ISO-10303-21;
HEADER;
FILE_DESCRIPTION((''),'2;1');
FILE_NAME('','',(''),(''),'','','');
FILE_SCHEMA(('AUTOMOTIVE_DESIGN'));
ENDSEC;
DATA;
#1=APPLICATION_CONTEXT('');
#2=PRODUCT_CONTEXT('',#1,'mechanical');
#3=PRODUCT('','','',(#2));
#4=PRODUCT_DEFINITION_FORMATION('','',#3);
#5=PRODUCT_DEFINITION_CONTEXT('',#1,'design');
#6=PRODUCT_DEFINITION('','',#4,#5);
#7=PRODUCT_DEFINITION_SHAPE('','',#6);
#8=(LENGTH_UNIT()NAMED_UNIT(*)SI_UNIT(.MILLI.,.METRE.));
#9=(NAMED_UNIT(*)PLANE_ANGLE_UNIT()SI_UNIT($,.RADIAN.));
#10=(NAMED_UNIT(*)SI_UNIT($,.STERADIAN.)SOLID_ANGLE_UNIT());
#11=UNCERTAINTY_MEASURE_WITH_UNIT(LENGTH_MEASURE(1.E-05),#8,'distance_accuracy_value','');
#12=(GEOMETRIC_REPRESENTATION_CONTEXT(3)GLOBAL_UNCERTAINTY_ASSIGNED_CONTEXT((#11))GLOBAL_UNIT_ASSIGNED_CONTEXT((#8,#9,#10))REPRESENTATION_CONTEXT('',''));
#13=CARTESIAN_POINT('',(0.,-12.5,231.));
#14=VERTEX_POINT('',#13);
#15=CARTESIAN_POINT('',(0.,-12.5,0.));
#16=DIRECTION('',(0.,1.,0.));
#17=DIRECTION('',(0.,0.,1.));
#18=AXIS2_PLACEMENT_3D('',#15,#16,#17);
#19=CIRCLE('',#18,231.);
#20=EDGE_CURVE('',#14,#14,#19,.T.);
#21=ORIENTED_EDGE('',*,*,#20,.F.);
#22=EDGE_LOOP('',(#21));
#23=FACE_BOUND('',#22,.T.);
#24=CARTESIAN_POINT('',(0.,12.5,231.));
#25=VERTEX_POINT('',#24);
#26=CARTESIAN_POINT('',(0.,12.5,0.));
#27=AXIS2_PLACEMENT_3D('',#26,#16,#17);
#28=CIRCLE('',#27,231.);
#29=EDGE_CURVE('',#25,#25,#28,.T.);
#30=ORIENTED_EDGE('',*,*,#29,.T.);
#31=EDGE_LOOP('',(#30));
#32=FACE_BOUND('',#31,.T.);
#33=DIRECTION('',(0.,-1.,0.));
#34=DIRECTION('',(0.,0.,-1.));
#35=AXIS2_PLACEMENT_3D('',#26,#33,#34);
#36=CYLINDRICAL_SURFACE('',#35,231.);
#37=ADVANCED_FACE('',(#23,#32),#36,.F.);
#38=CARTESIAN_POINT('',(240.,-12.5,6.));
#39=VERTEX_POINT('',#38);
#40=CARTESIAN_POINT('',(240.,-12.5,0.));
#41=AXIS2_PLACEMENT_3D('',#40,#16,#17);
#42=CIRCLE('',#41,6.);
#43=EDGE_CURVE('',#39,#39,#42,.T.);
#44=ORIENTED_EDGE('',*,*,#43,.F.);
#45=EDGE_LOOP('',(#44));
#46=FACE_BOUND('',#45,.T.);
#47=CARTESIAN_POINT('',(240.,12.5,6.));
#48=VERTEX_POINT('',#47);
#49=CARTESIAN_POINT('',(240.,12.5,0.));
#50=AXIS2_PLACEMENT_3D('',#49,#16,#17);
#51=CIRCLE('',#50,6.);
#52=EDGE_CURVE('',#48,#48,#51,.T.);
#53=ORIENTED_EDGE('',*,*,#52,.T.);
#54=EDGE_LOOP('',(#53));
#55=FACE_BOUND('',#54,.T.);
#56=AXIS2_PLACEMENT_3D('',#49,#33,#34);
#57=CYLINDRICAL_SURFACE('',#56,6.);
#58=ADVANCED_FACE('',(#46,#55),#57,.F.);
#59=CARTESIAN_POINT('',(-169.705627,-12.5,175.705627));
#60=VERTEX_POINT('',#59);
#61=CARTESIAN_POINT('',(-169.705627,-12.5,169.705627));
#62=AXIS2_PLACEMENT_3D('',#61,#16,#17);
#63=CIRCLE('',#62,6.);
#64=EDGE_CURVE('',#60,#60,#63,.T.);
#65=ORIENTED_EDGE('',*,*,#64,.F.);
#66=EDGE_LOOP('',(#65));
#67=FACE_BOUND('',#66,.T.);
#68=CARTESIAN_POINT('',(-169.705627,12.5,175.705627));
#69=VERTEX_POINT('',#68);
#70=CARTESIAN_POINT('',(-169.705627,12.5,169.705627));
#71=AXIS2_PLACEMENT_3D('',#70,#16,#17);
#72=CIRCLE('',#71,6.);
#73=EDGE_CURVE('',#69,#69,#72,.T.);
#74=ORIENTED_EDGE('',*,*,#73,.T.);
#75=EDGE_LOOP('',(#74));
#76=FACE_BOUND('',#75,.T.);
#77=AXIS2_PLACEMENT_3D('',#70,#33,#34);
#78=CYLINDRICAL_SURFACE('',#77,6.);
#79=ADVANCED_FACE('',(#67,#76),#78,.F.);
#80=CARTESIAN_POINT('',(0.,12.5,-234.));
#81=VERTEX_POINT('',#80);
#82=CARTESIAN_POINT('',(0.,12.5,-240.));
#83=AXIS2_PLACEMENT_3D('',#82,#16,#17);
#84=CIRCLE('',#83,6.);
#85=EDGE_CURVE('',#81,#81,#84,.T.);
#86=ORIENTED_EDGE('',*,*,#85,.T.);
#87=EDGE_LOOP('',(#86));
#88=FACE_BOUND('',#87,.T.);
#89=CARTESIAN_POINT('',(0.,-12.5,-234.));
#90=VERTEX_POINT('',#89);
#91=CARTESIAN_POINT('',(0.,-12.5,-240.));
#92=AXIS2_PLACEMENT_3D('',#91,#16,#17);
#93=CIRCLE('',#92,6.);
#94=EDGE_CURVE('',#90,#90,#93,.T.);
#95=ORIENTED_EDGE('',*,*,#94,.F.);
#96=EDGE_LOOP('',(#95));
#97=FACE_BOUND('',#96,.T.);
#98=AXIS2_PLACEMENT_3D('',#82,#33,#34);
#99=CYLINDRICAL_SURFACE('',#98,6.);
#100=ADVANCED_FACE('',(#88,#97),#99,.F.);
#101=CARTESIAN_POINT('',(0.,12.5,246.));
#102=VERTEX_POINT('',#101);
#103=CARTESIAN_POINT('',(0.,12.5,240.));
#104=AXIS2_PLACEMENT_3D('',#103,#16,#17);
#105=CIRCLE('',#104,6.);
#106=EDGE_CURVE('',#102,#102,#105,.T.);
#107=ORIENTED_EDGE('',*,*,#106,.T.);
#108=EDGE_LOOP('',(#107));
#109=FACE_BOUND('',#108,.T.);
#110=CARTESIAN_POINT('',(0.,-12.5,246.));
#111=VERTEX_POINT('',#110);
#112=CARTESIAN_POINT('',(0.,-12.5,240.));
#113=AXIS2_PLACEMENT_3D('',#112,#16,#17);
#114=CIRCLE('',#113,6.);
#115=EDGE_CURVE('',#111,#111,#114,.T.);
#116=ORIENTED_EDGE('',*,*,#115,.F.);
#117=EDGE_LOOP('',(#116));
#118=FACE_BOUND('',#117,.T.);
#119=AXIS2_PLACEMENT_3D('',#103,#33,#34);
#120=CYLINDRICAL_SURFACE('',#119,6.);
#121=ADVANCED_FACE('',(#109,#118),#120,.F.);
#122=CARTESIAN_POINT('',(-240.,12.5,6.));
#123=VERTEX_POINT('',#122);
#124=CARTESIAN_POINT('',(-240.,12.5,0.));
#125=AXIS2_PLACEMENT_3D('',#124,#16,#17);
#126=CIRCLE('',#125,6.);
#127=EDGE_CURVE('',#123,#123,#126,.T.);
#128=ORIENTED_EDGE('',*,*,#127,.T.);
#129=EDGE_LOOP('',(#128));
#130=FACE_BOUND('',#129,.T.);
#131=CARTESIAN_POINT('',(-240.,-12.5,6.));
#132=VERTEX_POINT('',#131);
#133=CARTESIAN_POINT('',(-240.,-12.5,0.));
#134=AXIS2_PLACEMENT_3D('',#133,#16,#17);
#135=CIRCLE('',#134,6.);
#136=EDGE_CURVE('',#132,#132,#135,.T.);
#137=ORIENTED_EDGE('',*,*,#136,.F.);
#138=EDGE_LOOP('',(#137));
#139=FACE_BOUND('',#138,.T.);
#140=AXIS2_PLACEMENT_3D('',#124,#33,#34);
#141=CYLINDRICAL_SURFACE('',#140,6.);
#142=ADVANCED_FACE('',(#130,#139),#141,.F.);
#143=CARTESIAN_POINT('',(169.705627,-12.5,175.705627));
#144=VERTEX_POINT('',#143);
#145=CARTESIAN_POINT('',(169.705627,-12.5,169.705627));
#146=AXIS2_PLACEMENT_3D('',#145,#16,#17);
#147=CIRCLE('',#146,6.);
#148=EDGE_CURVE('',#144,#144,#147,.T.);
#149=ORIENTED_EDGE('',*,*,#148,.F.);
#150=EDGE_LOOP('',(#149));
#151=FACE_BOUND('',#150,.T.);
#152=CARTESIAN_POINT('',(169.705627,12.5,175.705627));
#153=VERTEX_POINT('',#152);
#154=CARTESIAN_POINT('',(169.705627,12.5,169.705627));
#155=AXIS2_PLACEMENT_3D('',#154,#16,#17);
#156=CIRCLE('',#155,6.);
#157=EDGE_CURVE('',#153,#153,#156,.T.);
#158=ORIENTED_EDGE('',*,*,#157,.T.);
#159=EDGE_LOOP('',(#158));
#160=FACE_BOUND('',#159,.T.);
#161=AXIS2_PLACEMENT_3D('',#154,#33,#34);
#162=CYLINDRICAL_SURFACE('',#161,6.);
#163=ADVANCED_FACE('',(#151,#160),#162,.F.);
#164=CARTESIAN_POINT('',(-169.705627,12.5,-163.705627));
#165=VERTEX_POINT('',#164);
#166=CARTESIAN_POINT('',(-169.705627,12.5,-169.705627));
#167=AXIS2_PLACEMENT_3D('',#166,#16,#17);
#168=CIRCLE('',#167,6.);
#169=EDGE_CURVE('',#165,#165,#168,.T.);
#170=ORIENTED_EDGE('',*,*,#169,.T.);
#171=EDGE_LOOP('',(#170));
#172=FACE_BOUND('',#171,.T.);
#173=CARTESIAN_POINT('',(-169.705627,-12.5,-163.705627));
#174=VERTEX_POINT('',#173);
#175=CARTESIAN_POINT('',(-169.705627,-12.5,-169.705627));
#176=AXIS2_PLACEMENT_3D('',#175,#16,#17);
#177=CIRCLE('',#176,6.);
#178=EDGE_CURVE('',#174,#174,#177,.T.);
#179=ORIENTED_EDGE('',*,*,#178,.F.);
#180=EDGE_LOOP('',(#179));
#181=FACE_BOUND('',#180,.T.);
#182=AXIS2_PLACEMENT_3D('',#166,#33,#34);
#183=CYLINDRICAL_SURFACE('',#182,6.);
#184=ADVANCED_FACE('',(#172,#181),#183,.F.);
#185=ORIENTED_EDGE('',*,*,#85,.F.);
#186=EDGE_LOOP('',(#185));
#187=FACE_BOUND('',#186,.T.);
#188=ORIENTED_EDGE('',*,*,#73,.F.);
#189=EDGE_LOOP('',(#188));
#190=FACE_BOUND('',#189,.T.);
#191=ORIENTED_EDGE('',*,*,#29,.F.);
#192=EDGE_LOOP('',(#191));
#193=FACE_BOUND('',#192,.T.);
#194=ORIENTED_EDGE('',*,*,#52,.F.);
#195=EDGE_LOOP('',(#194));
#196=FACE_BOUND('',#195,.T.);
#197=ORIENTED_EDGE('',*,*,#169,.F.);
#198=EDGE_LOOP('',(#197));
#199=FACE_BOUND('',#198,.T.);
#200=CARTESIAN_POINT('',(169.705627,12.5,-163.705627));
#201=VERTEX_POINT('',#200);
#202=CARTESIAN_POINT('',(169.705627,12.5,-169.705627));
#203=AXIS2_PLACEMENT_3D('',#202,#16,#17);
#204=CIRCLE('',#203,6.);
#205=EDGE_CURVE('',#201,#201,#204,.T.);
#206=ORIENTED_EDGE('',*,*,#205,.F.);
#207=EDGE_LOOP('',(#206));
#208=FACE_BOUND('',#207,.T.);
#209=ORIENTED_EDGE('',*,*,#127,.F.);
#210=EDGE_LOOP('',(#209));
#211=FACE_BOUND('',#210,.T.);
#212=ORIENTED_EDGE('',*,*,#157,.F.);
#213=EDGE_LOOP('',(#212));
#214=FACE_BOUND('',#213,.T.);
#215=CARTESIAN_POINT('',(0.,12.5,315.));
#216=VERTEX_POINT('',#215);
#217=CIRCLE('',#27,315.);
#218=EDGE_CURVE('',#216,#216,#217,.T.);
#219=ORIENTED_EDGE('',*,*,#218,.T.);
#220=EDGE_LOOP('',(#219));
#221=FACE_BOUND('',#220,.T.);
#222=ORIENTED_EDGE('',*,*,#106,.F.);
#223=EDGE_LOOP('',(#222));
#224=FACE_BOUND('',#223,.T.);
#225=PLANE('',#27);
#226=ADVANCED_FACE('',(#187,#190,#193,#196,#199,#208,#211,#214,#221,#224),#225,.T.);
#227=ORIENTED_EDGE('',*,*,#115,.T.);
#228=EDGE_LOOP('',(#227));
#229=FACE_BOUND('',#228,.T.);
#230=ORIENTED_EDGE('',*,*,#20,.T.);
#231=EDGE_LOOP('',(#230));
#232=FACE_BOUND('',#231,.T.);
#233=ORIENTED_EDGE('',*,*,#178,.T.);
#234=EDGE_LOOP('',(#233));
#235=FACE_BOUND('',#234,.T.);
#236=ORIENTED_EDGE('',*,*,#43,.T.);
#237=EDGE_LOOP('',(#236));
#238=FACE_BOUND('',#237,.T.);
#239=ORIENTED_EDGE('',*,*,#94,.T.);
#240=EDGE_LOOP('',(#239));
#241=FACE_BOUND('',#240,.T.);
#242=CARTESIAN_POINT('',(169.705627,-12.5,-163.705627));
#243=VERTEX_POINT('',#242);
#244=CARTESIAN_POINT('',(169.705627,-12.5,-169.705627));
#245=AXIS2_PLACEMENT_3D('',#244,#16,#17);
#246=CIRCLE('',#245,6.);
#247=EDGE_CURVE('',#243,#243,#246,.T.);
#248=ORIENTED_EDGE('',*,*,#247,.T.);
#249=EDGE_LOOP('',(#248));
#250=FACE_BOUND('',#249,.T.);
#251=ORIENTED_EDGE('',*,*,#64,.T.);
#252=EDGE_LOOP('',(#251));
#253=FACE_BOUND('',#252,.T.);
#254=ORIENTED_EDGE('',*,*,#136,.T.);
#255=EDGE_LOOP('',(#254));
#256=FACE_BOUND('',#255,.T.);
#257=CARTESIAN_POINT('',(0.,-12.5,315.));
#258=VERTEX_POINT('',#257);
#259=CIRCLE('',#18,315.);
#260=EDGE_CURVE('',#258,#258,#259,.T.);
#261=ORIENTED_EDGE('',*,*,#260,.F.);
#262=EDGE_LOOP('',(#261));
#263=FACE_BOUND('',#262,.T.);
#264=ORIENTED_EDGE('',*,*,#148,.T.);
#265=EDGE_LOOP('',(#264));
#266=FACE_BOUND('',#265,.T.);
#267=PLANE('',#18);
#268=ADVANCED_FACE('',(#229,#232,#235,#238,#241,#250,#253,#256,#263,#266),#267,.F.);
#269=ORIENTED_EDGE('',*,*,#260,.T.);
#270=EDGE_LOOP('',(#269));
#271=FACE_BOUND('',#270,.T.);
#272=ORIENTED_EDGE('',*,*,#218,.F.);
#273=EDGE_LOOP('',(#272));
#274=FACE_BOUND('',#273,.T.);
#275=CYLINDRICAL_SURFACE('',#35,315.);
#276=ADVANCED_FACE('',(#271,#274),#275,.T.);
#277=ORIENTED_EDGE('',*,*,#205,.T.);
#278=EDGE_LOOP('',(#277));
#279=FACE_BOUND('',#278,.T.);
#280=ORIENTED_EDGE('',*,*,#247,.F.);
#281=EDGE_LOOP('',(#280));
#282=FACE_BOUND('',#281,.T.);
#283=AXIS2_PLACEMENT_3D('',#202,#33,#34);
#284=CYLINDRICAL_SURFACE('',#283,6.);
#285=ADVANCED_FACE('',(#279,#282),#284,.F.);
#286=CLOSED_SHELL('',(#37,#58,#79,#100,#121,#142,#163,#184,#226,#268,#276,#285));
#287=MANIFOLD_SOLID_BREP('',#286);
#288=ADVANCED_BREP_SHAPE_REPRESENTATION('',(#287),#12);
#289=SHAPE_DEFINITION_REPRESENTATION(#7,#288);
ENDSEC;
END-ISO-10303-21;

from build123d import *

# Parameters (mm, degrees)
SKETCH1_R           = 315
SKETCH1_R_2         = 231
SKETCH1_R_3         = 6
BOSS_EXTRUDE1_DEPTH = 12.5


with BuildPart() as part:
    # Sketch1 → Boss-Extrude1 (new, symmetric)
    with BuildSketch(Plane(origin=(0, 0, 0), x_dir=(1, 0, 0), z_dir=(0, 1, 0))):
        with Locations(Location((0, 0, 0), (0, 0, 270))):
            Circle(SKETCH1_R)
        with Locations(Location((0, 0, 0), (0, 0, 270))):
            Circle(SKETCH1_R_2, mode=Mode.SUBTRACT)
        with Locations(Location((0, 240, 0), (0, 0, 270))):
            Circle(SKETCH1_R_3, mode=Mode.SUBTRACT)
        with Locations(Location((169.705627485, 169.705627485, 0), (0, 0, 270))):
            Circle(SKETCH1_R_3, mode=Mode.SUBTRACT)
        with Locations(Location((240, 0, 0), (0, 0, 270))):
            Circle(SKETCH1_R_3, mode=Mode.SUBTRACT)
        with Locations(Location((169.705627485, -169.705627485, 0), (0, 0, 270))):
            Circle(SKETCH1_R_3, mode=Mode.SUBTRACT)
        with Locations(Location((0, -240, 0), (0, 0, 270))):
            Circle(SKETCH1_R_3, mode=Mode.SUBTRACT)
        with Locations(Location((-169.705627485, -169.705627485, 0), (0, 0, 270))):
            Circle(SKETCH1_R_3, mode=Mode.SUBTRACT)
        with Locations(Location((-240, 0, 0), (0, 0, 270))):
            Circle(SKETCH1_R_3, mode=Mode.SUBTRACT)
        with Locations(Location((-169.705627485, 169.705627485, 0), (0, 0, 270))):
            Circle(SKETCH1_R_3, mode=Mode.SUBTRACT)
    extrude(amount=BOSS_EXTRUDE1_DEPTH, both=True)


solid = part.part
